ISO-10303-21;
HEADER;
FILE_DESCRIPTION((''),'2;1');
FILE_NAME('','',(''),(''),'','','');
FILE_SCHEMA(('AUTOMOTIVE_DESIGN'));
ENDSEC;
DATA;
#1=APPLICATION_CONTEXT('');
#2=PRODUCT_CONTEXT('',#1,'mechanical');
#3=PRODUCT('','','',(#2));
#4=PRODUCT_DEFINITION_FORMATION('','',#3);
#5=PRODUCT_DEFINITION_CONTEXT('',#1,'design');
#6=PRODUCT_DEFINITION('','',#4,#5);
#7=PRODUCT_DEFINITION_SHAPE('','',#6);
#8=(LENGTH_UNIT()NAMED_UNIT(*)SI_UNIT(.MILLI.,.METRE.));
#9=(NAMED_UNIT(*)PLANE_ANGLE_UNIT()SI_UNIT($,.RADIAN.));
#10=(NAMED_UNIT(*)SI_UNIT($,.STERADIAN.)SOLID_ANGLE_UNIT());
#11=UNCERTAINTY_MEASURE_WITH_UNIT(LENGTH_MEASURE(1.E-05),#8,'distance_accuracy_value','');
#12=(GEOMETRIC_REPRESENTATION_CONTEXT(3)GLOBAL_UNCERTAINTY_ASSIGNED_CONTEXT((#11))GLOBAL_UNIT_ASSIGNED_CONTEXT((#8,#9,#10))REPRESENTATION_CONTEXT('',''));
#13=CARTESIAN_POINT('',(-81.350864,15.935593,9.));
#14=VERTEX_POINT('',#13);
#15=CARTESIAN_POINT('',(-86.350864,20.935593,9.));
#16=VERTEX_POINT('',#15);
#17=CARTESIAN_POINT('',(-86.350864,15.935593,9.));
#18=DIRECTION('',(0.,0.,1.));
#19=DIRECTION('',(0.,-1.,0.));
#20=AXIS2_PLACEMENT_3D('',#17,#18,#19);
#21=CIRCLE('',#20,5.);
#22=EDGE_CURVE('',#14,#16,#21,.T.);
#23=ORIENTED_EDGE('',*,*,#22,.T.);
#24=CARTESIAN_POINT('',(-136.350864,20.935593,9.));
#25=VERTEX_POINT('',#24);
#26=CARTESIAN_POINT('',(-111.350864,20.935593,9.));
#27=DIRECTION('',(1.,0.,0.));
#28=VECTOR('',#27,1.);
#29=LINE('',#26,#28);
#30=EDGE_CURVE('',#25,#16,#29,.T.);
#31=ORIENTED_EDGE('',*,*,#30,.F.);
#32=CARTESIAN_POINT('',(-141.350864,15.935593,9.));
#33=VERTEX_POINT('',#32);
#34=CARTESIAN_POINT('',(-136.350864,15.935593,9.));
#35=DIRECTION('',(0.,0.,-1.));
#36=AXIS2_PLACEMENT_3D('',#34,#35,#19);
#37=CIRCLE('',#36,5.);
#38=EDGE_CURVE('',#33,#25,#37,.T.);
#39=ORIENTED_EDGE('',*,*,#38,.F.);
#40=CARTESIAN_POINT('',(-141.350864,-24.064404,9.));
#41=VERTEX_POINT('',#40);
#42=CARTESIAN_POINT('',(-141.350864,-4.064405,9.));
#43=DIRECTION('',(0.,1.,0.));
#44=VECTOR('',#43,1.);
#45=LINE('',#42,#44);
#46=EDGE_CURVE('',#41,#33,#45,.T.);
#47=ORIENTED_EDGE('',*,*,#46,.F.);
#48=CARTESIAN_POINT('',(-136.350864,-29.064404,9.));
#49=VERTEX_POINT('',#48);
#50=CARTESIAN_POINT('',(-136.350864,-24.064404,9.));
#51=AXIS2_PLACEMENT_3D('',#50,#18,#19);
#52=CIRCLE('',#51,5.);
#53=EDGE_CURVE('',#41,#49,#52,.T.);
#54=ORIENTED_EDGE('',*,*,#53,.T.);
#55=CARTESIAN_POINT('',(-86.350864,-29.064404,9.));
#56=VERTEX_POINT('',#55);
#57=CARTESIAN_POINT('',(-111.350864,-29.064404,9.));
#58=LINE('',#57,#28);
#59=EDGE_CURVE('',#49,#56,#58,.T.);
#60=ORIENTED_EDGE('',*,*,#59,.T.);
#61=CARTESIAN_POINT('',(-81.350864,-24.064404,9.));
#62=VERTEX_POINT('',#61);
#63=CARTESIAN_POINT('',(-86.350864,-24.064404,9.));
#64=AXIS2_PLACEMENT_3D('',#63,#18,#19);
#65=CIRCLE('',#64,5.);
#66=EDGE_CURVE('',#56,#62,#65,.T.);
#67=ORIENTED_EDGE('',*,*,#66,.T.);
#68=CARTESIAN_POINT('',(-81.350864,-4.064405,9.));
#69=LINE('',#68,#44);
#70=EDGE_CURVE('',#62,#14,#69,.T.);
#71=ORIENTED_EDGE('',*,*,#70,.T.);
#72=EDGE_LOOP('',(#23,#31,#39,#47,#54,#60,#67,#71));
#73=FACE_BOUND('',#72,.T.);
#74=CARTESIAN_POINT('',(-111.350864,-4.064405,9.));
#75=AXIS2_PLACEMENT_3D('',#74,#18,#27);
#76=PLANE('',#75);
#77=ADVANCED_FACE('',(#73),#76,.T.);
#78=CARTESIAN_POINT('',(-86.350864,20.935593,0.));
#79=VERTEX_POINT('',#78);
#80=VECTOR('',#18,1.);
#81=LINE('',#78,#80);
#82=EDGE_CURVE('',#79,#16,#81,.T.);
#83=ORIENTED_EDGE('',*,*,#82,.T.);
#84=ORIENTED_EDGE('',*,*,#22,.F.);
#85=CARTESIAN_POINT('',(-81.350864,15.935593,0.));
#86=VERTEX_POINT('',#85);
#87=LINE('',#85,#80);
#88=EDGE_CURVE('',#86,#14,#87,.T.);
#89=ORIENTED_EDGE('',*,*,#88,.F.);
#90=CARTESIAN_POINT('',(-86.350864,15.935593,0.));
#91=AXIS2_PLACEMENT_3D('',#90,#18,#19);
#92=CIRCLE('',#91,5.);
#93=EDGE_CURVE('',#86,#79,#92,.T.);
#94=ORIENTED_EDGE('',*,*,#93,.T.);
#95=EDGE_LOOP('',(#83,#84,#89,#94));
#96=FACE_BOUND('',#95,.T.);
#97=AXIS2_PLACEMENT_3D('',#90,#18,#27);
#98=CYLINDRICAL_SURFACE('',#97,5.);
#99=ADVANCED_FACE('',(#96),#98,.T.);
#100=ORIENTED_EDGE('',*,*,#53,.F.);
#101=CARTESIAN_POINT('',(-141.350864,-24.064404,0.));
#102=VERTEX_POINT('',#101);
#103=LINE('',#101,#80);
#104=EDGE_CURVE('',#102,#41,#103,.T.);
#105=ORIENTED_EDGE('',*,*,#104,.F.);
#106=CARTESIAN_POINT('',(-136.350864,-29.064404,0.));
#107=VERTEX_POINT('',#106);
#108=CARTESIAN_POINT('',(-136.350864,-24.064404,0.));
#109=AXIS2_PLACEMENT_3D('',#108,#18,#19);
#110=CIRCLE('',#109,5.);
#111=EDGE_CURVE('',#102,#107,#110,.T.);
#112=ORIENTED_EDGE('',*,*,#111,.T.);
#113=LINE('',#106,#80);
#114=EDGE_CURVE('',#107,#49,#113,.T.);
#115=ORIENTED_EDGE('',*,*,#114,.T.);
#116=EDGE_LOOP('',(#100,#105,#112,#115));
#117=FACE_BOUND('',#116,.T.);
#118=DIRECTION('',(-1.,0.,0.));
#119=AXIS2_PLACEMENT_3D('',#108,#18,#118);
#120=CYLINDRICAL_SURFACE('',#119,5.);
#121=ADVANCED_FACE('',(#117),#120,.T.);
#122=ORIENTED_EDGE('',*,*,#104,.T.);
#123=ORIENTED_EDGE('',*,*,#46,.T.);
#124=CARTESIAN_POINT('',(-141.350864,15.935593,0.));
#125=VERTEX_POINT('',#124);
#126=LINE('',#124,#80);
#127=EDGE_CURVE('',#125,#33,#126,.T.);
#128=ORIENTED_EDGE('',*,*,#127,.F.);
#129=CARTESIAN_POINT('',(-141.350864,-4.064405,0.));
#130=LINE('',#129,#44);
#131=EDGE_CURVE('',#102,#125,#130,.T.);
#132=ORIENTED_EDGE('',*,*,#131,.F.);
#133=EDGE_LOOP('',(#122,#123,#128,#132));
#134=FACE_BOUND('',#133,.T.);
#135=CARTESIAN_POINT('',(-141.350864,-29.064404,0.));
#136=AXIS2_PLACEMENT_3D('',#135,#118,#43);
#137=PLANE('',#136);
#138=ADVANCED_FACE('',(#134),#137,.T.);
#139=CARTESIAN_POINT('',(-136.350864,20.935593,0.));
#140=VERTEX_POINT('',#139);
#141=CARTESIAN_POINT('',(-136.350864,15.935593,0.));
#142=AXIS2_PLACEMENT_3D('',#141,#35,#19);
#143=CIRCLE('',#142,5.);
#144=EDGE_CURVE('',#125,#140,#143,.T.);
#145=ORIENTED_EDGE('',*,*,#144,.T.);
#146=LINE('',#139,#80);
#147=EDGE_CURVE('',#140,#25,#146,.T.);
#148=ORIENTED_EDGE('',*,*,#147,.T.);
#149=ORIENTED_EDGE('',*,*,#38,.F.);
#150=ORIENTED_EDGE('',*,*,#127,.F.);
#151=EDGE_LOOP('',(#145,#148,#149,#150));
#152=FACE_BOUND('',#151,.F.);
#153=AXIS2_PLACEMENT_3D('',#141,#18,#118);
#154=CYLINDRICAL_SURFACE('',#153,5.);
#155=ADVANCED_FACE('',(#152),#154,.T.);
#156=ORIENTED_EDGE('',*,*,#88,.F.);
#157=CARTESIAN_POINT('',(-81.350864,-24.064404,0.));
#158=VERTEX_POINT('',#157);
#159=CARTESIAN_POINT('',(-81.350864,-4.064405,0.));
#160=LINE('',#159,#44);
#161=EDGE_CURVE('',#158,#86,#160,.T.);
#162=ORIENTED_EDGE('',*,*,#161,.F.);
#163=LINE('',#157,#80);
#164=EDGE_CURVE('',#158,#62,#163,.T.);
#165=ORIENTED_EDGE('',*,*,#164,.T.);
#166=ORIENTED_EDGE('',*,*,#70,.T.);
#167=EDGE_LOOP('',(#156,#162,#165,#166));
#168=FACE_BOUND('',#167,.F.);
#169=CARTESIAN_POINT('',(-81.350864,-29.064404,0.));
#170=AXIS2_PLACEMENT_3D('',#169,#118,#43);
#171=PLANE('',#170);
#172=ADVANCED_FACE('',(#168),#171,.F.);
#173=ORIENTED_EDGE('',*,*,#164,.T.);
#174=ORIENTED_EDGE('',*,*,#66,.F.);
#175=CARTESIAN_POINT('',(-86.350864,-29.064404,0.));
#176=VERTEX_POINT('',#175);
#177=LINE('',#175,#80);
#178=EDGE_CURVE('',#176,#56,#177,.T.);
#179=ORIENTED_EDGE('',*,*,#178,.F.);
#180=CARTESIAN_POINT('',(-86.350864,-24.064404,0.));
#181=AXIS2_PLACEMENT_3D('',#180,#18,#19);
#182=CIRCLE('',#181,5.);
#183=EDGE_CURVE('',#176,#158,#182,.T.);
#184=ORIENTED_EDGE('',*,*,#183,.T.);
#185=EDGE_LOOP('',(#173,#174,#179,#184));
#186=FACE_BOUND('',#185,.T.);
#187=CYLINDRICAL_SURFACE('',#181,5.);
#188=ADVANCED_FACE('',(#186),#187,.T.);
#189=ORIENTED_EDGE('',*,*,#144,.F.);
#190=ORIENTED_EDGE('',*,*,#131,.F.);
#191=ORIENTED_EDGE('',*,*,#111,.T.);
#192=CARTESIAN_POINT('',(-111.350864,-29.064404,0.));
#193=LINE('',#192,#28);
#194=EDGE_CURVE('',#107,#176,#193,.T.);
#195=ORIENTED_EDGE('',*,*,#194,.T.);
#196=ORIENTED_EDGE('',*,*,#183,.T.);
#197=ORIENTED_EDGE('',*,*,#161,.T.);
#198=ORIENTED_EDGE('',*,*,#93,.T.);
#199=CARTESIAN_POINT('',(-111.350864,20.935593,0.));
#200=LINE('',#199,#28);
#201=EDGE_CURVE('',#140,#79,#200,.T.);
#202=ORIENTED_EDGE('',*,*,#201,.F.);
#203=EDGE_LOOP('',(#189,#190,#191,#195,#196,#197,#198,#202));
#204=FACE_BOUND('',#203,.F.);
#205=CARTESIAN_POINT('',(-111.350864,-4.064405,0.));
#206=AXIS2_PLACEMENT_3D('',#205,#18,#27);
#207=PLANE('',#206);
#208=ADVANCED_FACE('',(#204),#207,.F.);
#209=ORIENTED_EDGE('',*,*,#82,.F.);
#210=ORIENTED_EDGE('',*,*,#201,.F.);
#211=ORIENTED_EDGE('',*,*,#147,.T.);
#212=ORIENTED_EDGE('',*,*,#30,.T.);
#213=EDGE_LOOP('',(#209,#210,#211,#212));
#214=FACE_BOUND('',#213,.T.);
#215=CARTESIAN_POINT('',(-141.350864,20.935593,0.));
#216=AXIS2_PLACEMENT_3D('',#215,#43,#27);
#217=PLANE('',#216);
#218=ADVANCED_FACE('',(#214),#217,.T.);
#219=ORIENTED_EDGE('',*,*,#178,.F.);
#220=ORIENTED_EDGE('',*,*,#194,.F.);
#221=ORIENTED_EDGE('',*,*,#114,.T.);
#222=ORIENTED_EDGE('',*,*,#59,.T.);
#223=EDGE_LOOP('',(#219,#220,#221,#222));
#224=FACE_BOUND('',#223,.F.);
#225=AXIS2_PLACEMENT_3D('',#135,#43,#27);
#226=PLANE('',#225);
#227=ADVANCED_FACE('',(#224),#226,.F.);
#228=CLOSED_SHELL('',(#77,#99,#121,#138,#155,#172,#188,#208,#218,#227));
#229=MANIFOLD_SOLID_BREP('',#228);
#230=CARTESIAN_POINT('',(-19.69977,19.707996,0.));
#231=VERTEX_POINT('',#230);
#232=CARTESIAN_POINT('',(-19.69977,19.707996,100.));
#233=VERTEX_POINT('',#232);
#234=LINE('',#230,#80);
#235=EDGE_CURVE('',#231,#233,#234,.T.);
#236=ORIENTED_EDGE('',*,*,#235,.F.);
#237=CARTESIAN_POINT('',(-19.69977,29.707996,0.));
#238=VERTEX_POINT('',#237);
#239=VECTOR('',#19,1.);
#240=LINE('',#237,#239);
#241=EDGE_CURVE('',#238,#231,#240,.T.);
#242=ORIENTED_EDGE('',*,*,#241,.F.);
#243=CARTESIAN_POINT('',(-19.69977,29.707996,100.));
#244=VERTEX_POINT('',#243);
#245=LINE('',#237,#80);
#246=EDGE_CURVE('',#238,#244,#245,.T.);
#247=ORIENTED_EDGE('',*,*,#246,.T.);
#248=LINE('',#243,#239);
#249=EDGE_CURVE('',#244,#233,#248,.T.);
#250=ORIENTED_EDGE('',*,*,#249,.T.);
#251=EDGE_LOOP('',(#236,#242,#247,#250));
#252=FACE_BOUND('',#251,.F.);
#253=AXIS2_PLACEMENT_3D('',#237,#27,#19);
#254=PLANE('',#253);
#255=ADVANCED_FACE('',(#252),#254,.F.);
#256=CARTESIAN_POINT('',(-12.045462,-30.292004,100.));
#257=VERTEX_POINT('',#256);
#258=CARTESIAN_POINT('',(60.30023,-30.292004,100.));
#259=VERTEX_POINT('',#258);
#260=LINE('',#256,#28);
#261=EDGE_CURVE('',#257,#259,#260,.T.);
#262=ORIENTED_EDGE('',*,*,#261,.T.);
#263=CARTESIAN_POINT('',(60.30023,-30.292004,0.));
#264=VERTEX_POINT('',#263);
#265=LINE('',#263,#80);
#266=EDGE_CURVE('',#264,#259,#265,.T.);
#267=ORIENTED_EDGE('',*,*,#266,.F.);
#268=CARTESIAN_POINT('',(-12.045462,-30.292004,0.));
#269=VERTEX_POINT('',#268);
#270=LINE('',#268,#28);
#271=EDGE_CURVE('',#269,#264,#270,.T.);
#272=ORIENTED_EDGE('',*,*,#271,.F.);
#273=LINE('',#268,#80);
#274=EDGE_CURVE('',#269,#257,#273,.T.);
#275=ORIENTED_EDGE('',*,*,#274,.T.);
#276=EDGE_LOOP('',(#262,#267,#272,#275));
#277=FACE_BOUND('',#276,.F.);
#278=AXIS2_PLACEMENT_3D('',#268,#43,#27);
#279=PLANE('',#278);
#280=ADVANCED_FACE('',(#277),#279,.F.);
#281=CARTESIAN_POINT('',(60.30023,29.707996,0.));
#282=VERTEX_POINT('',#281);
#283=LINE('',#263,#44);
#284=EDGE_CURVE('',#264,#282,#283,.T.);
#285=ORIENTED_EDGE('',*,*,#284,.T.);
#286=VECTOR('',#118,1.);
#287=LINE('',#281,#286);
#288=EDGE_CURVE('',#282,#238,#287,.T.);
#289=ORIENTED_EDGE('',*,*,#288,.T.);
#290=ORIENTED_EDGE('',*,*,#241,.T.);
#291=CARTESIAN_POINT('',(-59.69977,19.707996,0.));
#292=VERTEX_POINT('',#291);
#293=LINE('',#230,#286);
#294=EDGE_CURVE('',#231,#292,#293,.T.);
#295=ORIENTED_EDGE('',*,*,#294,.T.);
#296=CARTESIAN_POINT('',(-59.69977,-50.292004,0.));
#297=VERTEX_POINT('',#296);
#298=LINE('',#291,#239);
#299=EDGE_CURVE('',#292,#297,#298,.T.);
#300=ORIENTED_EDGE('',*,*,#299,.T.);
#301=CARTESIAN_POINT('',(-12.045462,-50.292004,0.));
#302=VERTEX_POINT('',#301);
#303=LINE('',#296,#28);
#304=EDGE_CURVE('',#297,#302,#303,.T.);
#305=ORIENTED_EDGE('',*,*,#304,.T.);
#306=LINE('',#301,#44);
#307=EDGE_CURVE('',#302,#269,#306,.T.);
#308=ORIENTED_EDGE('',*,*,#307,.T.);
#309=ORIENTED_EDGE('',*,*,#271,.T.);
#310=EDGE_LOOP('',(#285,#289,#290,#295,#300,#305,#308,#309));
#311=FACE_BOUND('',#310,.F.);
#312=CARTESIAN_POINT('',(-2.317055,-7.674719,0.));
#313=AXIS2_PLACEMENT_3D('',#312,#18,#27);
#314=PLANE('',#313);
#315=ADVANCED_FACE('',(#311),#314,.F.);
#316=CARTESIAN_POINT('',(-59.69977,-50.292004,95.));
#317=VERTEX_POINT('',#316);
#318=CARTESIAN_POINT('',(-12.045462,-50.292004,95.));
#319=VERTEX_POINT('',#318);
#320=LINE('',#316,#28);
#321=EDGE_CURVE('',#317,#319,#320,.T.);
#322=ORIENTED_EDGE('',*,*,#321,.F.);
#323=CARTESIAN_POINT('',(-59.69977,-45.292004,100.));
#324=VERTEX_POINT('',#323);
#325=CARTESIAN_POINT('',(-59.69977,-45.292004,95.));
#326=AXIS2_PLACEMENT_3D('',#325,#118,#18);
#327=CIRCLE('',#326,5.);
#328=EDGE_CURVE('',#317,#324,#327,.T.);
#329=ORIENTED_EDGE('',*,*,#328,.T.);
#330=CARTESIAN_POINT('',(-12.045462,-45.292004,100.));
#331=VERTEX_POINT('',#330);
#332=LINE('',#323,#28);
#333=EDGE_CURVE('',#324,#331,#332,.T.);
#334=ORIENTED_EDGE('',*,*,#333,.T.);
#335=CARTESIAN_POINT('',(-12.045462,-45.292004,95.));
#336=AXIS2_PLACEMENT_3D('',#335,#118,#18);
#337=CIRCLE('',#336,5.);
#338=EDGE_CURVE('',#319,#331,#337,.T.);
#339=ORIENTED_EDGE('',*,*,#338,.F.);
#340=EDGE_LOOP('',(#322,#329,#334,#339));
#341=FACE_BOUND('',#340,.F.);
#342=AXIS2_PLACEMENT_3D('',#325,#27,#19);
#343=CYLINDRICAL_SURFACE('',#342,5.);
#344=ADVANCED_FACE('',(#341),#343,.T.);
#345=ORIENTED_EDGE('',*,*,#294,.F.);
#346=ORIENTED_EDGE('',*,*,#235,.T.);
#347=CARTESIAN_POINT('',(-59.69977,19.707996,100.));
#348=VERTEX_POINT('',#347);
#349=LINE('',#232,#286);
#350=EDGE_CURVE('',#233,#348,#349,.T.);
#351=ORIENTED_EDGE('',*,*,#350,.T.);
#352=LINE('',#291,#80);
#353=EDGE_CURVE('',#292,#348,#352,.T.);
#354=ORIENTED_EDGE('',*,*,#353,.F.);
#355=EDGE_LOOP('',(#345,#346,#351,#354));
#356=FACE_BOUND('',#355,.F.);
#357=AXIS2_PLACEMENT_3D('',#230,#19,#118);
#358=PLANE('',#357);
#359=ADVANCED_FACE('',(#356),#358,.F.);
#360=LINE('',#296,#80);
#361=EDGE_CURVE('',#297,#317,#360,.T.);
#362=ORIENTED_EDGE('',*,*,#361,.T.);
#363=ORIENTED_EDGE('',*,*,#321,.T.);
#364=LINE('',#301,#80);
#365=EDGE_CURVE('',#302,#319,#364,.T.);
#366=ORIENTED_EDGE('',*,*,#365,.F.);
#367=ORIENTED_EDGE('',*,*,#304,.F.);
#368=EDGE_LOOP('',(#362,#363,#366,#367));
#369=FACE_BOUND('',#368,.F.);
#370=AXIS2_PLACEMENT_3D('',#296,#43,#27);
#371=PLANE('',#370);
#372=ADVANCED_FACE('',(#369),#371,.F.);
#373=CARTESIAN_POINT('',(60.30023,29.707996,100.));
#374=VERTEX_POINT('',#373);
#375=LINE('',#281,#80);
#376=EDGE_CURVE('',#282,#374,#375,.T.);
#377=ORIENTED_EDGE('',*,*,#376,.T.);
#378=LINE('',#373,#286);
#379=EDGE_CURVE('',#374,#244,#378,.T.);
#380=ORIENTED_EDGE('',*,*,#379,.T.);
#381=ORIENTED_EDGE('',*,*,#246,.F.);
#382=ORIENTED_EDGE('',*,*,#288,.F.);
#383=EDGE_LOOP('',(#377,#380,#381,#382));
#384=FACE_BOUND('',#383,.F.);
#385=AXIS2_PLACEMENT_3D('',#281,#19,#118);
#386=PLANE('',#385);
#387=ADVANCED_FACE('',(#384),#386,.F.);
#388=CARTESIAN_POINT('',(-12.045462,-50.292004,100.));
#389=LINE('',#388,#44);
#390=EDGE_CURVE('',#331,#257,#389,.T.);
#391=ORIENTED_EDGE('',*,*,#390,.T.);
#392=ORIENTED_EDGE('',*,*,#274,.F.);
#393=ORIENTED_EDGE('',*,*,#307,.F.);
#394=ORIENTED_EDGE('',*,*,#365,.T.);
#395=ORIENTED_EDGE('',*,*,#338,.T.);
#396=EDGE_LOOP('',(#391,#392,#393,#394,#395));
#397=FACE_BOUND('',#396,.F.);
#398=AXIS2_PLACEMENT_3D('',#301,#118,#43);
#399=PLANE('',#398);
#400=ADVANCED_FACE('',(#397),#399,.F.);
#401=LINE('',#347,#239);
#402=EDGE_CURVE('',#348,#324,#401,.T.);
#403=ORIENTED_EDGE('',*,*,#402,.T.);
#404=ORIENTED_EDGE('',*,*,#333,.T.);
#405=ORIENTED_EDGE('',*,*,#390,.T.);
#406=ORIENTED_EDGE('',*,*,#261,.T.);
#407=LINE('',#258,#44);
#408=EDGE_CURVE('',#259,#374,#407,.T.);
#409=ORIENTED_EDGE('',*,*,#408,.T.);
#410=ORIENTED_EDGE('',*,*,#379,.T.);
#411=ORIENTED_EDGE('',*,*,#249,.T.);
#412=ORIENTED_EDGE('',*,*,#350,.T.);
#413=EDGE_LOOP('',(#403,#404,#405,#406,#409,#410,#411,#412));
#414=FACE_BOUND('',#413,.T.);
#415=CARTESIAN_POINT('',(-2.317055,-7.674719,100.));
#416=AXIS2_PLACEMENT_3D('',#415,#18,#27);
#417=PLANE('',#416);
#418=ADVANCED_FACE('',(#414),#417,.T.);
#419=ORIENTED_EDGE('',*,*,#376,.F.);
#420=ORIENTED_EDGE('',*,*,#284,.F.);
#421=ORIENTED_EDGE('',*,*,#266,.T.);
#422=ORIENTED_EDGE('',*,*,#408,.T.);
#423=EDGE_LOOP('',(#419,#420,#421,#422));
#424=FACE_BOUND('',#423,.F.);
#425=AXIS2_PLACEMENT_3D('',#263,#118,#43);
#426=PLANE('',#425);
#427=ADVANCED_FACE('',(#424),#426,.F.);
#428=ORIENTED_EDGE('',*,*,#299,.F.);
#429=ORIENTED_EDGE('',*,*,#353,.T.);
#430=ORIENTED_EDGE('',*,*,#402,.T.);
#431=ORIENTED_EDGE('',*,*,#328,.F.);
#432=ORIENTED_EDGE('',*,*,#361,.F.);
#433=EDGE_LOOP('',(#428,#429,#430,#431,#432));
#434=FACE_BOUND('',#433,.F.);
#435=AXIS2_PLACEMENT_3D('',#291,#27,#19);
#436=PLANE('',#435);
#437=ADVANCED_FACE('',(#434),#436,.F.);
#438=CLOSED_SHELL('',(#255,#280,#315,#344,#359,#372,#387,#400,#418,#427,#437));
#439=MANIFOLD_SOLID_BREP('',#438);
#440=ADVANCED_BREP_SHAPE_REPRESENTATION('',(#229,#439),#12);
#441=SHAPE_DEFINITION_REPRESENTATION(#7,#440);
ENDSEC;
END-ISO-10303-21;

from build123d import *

# Parameters (mm, degrees)
F1_DEPTH = 100
F2_R     = 5
F3_W     = 60
F3_H     = 49.999997
F4_DEPTH = 9
F5_R     = 5


with BuildPart() as f1:
    # F0 (on Top) → F1 (new body)
    with BuildSketch(Plane.XY):
        Polygon((60.30023, 29.707996), (-19.69977, 29.707996), (-19.69977, 19.707996), (-59.69977, 19.707996), (-59.69977, -50.292004), (-12.045462, -50.292004), (-12.045462, -30.292004), (60.30023, -30.292004), align=None)
    extrude(amount=F1_DEPTH)

    # F2
    f2_edges = [f1.edges().sort_by_distance(p)[0] for p in [
        (-35.872616, -50.292004, 100),
    ]]
    fillet(f2_edges, radius=F2_R)


with BuildPart() as f4:
    # F3 (on Top) → F4 (new body)
    with BuildSketch(Plane.XY):
        with Locations((-111.350864, -4.064405)):
            Rectangle(F3_W, F3_H)
    extrude(amount=F4_DEPTH)

    # F5
    f5_edges = [f4.edges().sort_by_distance(p)[0] for p in [
        (-141.350864, 20.935594, 4.5),
        (-141.350864, -29.064403, 4.5),
        (-81.350864, -29.064403, 4.5),
        (-81.350864, 20.935594, 4.5),
    ]]
    fillet(f5_edges, radius=F5_R)


solid = Compound([f1.part, f4.part])
